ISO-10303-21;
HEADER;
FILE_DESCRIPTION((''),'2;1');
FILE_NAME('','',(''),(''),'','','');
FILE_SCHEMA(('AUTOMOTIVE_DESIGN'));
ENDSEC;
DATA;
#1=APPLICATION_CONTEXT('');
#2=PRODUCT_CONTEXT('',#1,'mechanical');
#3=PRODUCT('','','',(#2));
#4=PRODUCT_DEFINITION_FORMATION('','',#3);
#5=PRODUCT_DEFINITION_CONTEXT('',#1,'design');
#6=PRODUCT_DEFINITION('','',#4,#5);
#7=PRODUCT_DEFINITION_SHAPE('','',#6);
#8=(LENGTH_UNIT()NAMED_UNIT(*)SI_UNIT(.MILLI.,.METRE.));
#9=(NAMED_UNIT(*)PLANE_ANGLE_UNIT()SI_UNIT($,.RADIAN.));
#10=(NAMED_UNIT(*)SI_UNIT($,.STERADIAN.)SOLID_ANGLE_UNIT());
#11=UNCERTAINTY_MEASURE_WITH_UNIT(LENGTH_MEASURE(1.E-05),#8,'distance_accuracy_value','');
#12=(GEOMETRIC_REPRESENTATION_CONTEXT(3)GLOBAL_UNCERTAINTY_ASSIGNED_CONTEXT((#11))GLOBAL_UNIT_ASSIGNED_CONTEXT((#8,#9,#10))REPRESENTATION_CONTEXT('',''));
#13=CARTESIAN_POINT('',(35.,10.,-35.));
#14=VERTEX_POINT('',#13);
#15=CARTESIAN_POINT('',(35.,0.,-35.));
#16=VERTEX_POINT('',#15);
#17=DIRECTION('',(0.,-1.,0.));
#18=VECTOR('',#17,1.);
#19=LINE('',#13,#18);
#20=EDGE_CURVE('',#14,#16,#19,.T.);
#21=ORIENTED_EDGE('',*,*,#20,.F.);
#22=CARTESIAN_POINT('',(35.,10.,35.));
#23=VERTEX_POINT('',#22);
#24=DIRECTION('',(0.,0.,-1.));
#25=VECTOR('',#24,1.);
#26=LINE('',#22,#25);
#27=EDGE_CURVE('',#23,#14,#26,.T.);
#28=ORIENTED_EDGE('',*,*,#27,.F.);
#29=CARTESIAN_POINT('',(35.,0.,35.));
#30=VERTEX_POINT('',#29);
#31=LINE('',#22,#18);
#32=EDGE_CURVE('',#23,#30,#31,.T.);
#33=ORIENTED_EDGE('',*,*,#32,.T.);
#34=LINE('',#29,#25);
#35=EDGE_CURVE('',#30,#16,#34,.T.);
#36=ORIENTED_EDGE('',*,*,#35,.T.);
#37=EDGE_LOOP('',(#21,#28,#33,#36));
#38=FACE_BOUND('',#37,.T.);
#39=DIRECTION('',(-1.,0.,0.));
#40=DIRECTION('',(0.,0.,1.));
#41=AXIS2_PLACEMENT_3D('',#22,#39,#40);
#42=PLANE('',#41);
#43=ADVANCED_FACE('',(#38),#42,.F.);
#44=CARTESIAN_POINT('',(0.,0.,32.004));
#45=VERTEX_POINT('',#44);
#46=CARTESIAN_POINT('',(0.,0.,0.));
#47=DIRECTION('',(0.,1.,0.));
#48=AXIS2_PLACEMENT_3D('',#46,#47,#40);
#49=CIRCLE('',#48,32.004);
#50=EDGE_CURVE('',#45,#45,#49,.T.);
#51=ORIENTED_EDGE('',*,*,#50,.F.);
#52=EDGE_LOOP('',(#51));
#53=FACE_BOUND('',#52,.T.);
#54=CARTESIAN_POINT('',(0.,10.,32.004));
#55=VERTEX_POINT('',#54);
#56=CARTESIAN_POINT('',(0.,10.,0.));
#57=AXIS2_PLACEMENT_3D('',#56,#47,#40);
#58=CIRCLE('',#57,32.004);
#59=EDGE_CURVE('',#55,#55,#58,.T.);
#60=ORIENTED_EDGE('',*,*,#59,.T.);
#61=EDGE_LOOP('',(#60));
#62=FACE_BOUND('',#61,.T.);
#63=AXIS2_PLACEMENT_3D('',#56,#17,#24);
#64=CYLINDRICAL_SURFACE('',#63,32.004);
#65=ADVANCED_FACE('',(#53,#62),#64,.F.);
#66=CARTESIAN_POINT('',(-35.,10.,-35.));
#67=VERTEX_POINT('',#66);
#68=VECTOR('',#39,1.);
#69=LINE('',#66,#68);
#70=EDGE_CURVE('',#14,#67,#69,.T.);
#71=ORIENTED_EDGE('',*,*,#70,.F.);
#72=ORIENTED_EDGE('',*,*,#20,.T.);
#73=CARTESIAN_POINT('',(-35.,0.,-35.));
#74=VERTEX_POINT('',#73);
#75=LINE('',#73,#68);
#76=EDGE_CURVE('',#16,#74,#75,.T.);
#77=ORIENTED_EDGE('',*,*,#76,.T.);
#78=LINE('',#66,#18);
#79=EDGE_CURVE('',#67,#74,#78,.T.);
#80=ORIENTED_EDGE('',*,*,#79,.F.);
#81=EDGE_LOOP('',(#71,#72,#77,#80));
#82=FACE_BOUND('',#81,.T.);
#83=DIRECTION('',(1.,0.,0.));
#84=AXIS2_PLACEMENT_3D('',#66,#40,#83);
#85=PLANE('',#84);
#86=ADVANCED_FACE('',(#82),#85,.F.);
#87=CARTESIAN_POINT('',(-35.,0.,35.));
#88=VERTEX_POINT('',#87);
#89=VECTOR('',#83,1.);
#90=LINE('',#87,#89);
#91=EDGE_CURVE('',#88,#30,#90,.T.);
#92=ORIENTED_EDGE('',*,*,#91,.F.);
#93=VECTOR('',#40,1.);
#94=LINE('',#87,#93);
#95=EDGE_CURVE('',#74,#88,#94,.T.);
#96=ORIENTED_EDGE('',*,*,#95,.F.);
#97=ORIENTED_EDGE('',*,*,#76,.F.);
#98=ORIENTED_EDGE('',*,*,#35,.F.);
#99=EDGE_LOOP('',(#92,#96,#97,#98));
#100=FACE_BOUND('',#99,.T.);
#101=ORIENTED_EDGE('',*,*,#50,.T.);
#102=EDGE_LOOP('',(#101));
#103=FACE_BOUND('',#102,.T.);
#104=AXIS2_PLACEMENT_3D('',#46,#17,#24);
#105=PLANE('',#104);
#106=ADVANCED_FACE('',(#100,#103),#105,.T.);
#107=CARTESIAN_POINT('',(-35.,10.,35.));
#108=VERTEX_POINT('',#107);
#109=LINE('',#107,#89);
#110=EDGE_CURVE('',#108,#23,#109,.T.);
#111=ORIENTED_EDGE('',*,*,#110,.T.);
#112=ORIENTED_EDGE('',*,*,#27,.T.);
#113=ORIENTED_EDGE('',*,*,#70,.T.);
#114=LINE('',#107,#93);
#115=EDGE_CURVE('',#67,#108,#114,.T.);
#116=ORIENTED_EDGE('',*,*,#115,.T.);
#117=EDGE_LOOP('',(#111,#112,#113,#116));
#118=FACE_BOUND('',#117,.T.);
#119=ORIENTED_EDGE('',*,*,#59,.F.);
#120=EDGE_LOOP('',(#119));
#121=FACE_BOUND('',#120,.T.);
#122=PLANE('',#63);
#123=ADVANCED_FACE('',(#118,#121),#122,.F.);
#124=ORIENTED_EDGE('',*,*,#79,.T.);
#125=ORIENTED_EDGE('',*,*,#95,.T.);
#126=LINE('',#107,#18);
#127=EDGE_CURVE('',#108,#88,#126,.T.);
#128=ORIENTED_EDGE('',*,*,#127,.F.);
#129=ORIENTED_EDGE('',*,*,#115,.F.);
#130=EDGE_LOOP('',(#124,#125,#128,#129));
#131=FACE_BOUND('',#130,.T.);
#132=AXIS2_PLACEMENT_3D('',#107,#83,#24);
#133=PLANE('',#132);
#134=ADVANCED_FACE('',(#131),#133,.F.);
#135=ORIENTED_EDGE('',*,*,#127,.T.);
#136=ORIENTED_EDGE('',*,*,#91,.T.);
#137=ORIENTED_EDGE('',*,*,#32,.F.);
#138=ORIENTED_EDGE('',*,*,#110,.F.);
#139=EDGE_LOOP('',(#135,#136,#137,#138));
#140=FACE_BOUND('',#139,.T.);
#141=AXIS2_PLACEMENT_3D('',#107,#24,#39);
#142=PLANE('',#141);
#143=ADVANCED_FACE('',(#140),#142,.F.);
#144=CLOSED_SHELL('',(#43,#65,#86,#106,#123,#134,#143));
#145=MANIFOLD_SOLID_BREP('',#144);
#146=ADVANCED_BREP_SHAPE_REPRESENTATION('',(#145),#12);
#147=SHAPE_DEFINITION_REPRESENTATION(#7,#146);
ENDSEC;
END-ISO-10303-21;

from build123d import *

# Parameters (mm, degrees)
SKETCH1_W           = 70
SKETCH1_H           = 70
SKETCH1_R           = 32.004
BOSS_EXTRUDE1_DEPTH = 10


with BuildPart() as part:
    # Sketch1 → Boss-Extrude1 (new body)
    with BuildSketch(Plane(origin=(0, 0, 0), x_dir=(1, 0, 0), z_dir=(0, 1, 0))):
        Rectangle(SKETCH1_W, SKETCH1_H)
        Circle(SKETCH1_R, mode=Mode.SUBTRACT)
    extrude(amount=BOSS_EXTRUDE1_DEPTH)


solid = part.part
